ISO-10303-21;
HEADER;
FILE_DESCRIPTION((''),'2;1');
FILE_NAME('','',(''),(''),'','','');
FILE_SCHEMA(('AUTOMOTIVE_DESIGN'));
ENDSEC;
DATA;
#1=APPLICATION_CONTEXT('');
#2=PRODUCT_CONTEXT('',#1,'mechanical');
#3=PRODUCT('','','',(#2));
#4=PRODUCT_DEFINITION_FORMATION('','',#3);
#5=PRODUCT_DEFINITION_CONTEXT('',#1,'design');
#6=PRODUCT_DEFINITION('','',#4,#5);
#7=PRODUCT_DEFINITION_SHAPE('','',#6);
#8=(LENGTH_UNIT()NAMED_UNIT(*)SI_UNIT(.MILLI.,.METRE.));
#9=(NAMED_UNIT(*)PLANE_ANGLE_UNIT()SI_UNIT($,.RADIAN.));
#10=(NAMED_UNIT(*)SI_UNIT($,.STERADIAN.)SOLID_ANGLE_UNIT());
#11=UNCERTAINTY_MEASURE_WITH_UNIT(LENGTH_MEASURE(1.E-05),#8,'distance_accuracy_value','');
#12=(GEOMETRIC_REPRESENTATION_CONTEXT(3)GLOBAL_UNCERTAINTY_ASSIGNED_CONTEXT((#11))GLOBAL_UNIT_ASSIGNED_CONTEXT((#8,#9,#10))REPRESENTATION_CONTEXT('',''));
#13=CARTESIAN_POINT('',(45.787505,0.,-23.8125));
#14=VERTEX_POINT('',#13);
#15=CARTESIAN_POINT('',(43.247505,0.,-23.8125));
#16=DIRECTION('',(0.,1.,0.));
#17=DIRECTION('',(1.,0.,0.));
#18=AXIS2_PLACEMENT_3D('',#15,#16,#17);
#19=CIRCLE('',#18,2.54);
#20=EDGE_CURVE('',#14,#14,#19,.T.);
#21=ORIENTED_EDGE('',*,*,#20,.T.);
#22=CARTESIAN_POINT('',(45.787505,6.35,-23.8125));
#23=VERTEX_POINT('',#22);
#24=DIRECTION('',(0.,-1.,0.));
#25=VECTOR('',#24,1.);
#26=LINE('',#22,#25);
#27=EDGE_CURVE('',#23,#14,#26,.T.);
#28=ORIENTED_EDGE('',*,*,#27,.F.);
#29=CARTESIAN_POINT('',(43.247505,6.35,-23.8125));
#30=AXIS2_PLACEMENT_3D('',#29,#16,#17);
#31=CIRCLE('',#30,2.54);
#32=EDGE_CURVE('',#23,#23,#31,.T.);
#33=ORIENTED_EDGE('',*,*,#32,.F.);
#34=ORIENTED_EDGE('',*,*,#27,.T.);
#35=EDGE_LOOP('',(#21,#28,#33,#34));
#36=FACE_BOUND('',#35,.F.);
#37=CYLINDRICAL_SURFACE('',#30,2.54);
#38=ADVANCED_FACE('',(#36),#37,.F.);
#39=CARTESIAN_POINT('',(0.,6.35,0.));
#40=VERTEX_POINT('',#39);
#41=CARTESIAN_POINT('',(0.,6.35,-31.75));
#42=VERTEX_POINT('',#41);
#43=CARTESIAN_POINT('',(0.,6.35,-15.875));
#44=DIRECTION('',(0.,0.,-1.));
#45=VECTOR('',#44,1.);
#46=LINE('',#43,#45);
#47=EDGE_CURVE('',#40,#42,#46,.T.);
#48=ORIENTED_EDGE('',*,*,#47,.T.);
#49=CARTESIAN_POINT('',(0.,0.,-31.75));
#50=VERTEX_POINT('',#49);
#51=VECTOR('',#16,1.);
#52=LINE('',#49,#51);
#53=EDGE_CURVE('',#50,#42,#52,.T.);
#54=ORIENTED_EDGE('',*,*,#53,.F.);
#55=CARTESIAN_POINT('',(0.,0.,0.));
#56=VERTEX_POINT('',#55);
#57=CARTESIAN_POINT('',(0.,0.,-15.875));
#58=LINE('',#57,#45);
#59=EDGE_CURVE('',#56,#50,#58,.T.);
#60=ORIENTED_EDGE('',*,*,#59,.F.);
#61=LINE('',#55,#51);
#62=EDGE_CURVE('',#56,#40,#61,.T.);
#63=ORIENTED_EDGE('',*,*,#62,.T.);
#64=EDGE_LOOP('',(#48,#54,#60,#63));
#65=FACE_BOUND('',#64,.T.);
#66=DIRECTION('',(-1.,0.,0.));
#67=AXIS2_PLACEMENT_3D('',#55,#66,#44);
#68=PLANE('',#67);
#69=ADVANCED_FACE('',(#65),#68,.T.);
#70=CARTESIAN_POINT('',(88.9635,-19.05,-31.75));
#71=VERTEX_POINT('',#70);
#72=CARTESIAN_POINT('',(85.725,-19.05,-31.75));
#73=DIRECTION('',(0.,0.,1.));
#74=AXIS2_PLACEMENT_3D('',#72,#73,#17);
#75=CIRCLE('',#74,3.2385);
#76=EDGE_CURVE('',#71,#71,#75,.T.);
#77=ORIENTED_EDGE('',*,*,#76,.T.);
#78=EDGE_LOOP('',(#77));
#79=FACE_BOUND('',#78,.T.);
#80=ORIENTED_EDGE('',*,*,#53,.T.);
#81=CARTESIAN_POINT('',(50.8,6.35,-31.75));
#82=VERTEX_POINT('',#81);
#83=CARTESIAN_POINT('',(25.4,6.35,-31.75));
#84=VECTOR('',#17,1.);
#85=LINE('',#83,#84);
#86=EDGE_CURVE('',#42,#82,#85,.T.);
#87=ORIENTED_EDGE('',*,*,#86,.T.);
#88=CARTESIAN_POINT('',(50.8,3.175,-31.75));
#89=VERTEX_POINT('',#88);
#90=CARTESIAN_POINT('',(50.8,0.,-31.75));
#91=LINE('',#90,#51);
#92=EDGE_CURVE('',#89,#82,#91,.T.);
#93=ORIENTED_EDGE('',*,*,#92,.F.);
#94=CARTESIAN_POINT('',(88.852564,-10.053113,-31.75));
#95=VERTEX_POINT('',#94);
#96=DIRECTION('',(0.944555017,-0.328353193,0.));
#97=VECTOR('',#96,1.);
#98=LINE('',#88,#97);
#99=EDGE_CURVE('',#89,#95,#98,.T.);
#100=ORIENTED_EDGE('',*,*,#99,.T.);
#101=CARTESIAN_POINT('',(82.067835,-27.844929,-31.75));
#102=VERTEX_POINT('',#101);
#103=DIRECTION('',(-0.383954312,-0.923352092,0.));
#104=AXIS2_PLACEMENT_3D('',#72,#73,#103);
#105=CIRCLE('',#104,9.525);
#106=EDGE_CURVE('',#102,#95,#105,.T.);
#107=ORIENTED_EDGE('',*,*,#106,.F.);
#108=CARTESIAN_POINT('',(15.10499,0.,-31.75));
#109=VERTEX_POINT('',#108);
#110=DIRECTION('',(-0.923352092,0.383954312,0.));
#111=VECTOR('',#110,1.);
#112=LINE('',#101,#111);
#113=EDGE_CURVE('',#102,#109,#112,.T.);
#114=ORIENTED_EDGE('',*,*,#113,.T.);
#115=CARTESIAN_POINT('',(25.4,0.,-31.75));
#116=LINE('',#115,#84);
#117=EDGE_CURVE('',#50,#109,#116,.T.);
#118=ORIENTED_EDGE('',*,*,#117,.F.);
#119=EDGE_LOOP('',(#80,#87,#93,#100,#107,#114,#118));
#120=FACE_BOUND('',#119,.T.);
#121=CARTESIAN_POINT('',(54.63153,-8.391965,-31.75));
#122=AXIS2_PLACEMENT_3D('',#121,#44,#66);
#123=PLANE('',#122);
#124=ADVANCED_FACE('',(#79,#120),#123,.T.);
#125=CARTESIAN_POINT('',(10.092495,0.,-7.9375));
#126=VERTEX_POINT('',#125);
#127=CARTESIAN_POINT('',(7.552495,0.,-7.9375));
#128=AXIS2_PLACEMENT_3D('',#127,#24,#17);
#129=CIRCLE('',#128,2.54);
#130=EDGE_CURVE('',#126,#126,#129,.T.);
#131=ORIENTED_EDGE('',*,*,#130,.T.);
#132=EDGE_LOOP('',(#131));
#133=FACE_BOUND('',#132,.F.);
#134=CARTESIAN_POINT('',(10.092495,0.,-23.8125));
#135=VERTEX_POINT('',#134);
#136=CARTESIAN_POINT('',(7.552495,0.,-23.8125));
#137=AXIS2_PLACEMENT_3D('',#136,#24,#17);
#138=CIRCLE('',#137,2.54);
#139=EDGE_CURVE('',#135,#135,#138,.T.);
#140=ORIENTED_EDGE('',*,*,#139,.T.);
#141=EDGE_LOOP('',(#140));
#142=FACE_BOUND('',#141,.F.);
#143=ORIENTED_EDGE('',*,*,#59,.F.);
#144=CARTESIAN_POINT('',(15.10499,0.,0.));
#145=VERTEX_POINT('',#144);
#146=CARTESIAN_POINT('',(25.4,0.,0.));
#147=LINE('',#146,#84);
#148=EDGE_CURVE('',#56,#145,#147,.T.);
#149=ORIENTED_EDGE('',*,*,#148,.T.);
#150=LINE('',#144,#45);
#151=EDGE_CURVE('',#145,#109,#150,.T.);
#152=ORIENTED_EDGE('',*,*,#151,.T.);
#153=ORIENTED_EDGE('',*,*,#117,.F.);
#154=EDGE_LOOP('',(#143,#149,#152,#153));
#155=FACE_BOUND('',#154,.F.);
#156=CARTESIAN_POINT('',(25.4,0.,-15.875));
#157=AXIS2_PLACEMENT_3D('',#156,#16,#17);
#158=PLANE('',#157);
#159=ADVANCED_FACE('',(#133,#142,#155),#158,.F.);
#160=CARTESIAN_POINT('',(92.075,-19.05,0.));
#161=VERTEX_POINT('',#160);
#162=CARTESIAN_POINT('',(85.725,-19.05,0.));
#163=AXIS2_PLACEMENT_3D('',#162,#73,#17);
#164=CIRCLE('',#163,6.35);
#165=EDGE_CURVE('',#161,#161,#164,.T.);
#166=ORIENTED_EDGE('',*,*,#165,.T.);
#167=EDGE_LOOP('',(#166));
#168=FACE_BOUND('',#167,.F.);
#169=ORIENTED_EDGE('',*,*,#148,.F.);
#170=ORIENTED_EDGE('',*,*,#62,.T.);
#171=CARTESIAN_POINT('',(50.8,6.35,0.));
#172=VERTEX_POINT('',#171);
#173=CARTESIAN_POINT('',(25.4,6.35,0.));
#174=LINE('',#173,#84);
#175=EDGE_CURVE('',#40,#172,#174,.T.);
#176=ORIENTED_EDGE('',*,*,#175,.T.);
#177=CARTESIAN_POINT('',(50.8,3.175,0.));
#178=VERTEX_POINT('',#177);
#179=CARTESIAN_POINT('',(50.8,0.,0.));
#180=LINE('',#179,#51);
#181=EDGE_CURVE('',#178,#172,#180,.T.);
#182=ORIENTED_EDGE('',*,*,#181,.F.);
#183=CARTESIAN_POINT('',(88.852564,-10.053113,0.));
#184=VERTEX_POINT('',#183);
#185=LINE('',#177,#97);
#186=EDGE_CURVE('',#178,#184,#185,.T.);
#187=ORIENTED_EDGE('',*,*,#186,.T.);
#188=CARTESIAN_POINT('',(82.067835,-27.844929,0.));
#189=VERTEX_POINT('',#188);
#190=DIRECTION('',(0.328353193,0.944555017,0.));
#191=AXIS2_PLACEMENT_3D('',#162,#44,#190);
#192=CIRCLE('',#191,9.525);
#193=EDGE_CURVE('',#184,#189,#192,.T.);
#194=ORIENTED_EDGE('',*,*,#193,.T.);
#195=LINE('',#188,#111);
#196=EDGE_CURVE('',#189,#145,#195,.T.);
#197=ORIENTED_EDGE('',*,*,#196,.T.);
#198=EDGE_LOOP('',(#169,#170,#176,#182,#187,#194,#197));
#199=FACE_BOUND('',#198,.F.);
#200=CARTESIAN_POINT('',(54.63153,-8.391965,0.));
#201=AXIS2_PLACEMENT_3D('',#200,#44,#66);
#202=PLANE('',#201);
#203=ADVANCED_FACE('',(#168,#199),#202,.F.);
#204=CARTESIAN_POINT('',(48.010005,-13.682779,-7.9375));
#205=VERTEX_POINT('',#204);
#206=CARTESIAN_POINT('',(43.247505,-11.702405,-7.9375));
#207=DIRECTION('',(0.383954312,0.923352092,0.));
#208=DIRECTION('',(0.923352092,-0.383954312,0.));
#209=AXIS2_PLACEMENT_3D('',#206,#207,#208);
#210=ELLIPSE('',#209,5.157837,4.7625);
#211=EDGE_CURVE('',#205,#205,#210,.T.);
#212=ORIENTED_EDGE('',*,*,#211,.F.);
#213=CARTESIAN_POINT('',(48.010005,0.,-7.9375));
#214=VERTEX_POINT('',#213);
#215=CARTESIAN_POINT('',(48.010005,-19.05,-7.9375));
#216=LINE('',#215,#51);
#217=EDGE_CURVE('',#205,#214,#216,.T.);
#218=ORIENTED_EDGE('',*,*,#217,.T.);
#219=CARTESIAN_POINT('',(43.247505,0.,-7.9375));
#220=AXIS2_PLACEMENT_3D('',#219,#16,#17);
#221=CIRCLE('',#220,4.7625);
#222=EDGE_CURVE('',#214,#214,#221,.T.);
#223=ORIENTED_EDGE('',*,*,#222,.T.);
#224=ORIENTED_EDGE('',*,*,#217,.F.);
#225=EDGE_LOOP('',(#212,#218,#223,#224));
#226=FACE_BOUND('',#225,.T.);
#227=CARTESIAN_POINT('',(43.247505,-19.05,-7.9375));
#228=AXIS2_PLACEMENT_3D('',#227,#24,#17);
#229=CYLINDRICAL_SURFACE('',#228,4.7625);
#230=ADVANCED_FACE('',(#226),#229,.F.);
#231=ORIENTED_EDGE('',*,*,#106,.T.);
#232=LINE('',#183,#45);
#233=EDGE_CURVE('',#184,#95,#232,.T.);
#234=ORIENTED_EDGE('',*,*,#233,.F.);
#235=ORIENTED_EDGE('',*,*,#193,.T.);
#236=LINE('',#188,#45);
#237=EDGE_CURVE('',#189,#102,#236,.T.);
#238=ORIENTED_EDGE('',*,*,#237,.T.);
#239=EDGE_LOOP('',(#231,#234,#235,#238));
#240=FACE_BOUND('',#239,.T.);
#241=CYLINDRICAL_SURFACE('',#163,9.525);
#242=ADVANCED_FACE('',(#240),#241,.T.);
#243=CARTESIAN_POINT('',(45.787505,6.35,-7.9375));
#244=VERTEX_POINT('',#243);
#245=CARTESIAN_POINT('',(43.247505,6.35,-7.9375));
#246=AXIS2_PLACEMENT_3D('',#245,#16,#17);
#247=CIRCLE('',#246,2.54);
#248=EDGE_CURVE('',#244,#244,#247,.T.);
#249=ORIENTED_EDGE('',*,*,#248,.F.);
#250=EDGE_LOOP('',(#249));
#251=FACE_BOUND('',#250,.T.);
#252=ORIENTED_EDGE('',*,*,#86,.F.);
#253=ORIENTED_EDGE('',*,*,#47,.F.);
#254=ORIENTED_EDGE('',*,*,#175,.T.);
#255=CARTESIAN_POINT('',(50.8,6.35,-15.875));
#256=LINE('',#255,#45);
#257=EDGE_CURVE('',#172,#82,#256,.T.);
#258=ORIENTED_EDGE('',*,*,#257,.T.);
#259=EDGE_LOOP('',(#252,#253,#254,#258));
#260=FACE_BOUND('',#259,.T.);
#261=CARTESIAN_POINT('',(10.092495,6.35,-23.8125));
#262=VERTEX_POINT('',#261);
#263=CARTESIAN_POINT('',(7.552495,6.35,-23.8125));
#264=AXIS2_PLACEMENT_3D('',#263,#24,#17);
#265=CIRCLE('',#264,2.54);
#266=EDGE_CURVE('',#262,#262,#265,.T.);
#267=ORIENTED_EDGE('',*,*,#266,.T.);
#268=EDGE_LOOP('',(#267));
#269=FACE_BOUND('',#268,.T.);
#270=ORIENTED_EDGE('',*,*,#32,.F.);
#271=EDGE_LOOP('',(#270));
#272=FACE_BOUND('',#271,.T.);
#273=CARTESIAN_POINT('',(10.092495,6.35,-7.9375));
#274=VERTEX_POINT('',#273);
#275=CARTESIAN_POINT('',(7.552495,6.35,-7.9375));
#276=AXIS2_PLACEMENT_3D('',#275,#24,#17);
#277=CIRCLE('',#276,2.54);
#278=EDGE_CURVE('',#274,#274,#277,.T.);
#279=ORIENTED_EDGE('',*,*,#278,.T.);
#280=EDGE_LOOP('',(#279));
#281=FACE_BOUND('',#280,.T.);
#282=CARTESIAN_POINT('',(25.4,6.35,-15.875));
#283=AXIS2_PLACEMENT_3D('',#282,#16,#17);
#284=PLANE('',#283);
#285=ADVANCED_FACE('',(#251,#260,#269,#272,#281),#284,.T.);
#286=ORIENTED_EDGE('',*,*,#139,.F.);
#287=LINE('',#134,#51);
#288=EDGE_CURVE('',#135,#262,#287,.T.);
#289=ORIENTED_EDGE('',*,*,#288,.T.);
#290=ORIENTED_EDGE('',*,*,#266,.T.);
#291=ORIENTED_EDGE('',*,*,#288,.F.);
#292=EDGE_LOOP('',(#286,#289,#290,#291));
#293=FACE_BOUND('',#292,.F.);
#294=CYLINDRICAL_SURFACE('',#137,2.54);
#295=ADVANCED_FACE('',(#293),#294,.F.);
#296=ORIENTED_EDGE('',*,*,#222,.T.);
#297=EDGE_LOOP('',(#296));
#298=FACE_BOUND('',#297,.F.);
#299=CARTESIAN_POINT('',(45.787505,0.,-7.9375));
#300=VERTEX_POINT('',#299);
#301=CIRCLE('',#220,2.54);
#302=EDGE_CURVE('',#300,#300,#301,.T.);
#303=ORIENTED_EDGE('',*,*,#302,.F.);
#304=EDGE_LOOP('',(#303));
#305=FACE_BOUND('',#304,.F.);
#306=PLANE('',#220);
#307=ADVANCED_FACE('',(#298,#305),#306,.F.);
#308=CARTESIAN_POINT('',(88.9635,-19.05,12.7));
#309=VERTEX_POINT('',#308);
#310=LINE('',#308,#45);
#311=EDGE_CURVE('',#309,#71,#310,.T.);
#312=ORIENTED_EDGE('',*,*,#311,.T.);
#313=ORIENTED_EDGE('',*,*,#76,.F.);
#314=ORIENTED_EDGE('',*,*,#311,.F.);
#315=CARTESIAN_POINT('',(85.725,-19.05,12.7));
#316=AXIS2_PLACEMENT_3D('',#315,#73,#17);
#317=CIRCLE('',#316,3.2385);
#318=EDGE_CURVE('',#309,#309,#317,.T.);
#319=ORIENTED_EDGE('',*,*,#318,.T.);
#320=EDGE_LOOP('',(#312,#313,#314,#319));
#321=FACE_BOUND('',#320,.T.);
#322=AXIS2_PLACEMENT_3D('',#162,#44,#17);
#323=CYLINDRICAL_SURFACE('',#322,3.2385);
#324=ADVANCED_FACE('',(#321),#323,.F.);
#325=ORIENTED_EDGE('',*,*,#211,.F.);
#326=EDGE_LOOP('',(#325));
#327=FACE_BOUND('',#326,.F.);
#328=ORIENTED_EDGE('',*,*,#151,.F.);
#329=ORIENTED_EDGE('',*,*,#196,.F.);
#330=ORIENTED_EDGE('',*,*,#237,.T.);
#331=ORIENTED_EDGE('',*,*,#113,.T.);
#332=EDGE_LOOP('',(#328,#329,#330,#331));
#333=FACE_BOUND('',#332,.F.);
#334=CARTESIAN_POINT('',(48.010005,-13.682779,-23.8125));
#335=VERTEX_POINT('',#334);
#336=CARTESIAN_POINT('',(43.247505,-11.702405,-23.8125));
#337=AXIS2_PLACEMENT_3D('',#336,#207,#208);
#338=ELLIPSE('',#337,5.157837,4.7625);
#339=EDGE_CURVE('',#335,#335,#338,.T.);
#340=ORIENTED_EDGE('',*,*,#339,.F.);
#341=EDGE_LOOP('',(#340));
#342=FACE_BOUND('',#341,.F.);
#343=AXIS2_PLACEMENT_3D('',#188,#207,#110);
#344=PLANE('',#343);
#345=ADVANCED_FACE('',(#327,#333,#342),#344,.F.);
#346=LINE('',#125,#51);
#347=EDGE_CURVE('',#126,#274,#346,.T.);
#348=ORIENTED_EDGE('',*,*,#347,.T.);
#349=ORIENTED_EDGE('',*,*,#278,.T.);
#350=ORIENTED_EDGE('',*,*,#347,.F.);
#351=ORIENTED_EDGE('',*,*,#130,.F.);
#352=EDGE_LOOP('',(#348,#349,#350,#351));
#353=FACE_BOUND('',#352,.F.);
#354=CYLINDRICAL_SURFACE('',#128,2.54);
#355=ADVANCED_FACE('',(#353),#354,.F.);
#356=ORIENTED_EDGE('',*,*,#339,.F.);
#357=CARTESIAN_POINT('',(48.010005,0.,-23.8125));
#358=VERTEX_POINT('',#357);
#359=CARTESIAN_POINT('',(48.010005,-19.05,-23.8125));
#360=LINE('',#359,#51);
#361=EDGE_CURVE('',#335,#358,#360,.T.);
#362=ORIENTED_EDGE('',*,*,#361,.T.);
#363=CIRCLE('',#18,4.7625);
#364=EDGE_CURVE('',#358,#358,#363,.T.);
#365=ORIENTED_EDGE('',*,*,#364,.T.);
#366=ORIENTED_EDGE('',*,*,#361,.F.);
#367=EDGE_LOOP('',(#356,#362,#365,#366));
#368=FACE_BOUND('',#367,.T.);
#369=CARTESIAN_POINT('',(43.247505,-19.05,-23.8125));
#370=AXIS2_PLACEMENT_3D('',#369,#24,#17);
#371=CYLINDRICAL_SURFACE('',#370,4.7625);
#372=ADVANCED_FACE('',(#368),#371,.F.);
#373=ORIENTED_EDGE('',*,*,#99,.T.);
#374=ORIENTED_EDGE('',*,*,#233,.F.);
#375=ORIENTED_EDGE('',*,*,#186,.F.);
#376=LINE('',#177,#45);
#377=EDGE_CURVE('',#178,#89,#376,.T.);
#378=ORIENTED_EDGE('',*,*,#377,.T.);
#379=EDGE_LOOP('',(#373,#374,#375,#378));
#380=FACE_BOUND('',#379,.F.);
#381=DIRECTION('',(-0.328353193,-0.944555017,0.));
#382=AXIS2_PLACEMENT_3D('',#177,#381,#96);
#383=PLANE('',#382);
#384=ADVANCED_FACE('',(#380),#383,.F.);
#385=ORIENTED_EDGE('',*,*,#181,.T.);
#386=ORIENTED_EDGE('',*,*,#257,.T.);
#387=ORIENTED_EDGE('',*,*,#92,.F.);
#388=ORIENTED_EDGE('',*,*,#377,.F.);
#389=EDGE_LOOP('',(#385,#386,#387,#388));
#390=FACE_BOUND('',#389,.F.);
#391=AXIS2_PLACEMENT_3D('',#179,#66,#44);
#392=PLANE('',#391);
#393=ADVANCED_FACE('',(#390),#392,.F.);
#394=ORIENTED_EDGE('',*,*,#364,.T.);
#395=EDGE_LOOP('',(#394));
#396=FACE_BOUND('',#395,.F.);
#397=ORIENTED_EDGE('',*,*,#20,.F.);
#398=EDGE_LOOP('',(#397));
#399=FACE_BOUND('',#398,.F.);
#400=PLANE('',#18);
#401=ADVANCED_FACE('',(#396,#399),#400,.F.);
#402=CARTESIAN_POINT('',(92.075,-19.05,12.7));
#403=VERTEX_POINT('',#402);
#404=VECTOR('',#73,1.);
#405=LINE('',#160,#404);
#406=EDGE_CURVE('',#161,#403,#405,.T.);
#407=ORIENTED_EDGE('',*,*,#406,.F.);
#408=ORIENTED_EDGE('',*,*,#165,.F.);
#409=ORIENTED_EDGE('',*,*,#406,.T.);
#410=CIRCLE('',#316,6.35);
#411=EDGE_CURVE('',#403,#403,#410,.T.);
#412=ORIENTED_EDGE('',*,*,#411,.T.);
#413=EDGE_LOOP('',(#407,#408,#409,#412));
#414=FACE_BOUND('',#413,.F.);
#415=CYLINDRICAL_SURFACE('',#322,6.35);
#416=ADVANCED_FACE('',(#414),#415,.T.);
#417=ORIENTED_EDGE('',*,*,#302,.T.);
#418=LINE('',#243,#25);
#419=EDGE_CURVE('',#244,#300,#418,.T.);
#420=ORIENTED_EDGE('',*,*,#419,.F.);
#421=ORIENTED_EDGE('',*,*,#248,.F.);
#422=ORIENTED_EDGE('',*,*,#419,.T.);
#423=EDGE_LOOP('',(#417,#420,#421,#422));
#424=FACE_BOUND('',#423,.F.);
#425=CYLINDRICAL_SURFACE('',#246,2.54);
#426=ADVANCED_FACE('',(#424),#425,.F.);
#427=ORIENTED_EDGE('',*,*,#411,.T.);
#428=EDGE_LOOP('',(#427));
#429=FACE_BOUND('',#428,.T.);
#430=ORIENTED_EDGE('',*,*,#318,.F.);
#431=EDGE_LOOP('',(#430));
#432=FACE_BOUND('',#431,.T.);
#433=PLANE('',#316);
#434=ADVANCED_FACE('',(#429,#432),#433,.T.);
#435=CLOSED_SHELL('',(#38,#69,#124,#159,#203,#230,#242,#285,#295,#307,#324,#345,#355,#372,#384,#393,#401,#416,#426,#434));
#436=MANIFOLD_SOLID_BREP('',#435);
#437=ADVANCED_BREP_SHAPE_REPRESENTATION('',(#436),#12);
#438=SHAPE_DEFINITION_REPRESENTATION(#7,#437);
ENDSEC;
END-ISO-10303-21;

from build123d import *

# Parameters (mm, degrees)
SKETCH1_W           = 50.8
SKETCH1_H           = 31.75
BOSS_EXTRUDE1_DEPTH = 6.35
SKETCH2_R           = 9.525
SKETCH2_R_2         = 3.2385
BOSS_EXTRUDE2_DEPTH = 31.75
BOSS_EXTRUDE3_DEPTH = 31.75
SKETCH4_R           = 6.35
SKETCH4_R_2         = 3.2385
BOSS_EXTRUDE4_DEPTH = 12.7
CUT_EXTRUDE1_REACH  = 8.35
SKETCH5_R           = 2.54
SKETCH6_R           = 2.54
CUT_EXTRUDE2_DEPTH  = 35.925
SKETCH7_R           = 4.7625
CUT_EXTRUDE3_DEPTH  = 19.05


with BuildPart() as part:
    # Sketch1 → Boss-Extrude1 (new body)
    with BuildSketch(Plane(origin=(0, 0, 0), x_dir=(1, 0, 0), z_dir=(0, 1, 0))):
        with Locations((25.4, 15.875)):
            Rectangle(SKETCH1_W, SKETCH1_H)
    extrude(amount=BOSS_EXTRUDE1_DEPTH)



with BuildPart() as body_2:
    # Sketch2 → Boss-Extrude2 (new body)
    with BuildSketch(Plane.XY):
        with Locations((85.725, -19.05)):
            Circle(SKETCH2_R)
        with Locations((85.725, -19.05)):
            Circle(SKETCH2_R_2, mode=Mode.SUBTRACT)
    extrude(amount=-BOSS_EXTRUDE2_DEPTH)


with BuildPart() as part_1:
    add(part.part)

    add(body_2.part)  # Boss-Extrude3 merges body 2
    # Sketch3 → Boss-Extrude3 (add)
    with BuildSketch(Plane.XY):
        with BuildLine():
            Line((50.8, 3.175), (88.852564162, -10.05311346))
            ThreePointArc((88.852564162, -10.05311346), (76.82515217, -15.656132943), (82.067835176, -27.844928678))
            Line((82.067835176, -27.844928678), (15.104990042, 0))
            Line((15.104990042, 0), (15.104990042, 3.175))
            Line((15.104990042, 3.175), (50.8, 3.175))
        make_face()
    extrude(amount=-BOSS_EXTRUDE3_DEPTH)

    # Sketch4 → Boss-Extrude4 (add)
    with BuildSketch(Plane.XY):
        with Locations((85.725, -19.05)):
            Circle(SKETCH4_R)
        with Locations((85.725, -19.05)):
            Circle(SKETCH4_R_2, mode=Mode.SUBTRACT)
    extrude(amount=BOSS_EXTRUDE4_DEPTH)

    # Sketch5 → Cut-Extrude1 (cut, up to next)
    with BuildSketch(Plane.XZ, mode=Mode.PRIVATE) as cut_extrude1_sk1:
        with Locations((7.552495021, -7.9375)):
            Circle(SKETCH5_R)
    cut_extrude1_tool1 = extrude(cut_extrude1_sk1.sketch, amount=-CUT_EXTRUDE1_REACH, mode=Mode.PRIVATE) & part_1.part
    add(cut_extrude1_tool1.solids().sort_by_distance((7.552495, 0, -7.9375))[0], mode=Mode.SUBTRACT)
    # Sketch5 → Cut-Extrude1 (cut, up to next)
    with BuildSketch(Plane.XZ, mode=Mode.PRIVATE) as cut_extrude1_sk2:
        with Locations((7.552495021, -23.8125)):
            Circle(SKETCH5_R)
    cut_extrude1_tool2 = extrude(cut_extrude1_sk2.sketch, amount=-CUT_EXTRUDE1_REACH, mode=Mode.PRIVATE) & part_1.part
    add(cut_extrude1_tool2.solids().sort_by_distance((7.552495, 0, -23.8125))[0], mode=Mode.SUBTRACT)

    # Sketch6 → Cut-Extrude2 (cut, through all)
    with BuildSketch(Plane(origin=(0, 6.35, 0), x_dir=(1, 0, 0), z_dir=(0, 1, 0))):
        with Locations((43.247504979, 7.9375)):
            Circle(SKETCH6_R)
        with Locations((43.247504979, 23.8125)):
            Circle(SKETCH6_R)
    extrude(amount=-CUT_EXTRUDE2_DEPTH, mode=Mode.SUBTRACT)

    # Sketch7 → Cut-Extrude3 (cut)
    with BuildSketch(Plane(origin=(0, -19.05, 0), x_dir=(1, 0, 0), z_dir=(0, 1, 0))):
        with Locations((43.247504979, 23.8125)):
            Circle(SKETCH7_R)
        with Locations((43.247504979, 7.9375)):
            Circle(SKETCH7_R)
    extrude(amount=CUT_EXTRUDE3_DEPTH, mode=Mode.SUBTRACT)


solid = part_1.part
